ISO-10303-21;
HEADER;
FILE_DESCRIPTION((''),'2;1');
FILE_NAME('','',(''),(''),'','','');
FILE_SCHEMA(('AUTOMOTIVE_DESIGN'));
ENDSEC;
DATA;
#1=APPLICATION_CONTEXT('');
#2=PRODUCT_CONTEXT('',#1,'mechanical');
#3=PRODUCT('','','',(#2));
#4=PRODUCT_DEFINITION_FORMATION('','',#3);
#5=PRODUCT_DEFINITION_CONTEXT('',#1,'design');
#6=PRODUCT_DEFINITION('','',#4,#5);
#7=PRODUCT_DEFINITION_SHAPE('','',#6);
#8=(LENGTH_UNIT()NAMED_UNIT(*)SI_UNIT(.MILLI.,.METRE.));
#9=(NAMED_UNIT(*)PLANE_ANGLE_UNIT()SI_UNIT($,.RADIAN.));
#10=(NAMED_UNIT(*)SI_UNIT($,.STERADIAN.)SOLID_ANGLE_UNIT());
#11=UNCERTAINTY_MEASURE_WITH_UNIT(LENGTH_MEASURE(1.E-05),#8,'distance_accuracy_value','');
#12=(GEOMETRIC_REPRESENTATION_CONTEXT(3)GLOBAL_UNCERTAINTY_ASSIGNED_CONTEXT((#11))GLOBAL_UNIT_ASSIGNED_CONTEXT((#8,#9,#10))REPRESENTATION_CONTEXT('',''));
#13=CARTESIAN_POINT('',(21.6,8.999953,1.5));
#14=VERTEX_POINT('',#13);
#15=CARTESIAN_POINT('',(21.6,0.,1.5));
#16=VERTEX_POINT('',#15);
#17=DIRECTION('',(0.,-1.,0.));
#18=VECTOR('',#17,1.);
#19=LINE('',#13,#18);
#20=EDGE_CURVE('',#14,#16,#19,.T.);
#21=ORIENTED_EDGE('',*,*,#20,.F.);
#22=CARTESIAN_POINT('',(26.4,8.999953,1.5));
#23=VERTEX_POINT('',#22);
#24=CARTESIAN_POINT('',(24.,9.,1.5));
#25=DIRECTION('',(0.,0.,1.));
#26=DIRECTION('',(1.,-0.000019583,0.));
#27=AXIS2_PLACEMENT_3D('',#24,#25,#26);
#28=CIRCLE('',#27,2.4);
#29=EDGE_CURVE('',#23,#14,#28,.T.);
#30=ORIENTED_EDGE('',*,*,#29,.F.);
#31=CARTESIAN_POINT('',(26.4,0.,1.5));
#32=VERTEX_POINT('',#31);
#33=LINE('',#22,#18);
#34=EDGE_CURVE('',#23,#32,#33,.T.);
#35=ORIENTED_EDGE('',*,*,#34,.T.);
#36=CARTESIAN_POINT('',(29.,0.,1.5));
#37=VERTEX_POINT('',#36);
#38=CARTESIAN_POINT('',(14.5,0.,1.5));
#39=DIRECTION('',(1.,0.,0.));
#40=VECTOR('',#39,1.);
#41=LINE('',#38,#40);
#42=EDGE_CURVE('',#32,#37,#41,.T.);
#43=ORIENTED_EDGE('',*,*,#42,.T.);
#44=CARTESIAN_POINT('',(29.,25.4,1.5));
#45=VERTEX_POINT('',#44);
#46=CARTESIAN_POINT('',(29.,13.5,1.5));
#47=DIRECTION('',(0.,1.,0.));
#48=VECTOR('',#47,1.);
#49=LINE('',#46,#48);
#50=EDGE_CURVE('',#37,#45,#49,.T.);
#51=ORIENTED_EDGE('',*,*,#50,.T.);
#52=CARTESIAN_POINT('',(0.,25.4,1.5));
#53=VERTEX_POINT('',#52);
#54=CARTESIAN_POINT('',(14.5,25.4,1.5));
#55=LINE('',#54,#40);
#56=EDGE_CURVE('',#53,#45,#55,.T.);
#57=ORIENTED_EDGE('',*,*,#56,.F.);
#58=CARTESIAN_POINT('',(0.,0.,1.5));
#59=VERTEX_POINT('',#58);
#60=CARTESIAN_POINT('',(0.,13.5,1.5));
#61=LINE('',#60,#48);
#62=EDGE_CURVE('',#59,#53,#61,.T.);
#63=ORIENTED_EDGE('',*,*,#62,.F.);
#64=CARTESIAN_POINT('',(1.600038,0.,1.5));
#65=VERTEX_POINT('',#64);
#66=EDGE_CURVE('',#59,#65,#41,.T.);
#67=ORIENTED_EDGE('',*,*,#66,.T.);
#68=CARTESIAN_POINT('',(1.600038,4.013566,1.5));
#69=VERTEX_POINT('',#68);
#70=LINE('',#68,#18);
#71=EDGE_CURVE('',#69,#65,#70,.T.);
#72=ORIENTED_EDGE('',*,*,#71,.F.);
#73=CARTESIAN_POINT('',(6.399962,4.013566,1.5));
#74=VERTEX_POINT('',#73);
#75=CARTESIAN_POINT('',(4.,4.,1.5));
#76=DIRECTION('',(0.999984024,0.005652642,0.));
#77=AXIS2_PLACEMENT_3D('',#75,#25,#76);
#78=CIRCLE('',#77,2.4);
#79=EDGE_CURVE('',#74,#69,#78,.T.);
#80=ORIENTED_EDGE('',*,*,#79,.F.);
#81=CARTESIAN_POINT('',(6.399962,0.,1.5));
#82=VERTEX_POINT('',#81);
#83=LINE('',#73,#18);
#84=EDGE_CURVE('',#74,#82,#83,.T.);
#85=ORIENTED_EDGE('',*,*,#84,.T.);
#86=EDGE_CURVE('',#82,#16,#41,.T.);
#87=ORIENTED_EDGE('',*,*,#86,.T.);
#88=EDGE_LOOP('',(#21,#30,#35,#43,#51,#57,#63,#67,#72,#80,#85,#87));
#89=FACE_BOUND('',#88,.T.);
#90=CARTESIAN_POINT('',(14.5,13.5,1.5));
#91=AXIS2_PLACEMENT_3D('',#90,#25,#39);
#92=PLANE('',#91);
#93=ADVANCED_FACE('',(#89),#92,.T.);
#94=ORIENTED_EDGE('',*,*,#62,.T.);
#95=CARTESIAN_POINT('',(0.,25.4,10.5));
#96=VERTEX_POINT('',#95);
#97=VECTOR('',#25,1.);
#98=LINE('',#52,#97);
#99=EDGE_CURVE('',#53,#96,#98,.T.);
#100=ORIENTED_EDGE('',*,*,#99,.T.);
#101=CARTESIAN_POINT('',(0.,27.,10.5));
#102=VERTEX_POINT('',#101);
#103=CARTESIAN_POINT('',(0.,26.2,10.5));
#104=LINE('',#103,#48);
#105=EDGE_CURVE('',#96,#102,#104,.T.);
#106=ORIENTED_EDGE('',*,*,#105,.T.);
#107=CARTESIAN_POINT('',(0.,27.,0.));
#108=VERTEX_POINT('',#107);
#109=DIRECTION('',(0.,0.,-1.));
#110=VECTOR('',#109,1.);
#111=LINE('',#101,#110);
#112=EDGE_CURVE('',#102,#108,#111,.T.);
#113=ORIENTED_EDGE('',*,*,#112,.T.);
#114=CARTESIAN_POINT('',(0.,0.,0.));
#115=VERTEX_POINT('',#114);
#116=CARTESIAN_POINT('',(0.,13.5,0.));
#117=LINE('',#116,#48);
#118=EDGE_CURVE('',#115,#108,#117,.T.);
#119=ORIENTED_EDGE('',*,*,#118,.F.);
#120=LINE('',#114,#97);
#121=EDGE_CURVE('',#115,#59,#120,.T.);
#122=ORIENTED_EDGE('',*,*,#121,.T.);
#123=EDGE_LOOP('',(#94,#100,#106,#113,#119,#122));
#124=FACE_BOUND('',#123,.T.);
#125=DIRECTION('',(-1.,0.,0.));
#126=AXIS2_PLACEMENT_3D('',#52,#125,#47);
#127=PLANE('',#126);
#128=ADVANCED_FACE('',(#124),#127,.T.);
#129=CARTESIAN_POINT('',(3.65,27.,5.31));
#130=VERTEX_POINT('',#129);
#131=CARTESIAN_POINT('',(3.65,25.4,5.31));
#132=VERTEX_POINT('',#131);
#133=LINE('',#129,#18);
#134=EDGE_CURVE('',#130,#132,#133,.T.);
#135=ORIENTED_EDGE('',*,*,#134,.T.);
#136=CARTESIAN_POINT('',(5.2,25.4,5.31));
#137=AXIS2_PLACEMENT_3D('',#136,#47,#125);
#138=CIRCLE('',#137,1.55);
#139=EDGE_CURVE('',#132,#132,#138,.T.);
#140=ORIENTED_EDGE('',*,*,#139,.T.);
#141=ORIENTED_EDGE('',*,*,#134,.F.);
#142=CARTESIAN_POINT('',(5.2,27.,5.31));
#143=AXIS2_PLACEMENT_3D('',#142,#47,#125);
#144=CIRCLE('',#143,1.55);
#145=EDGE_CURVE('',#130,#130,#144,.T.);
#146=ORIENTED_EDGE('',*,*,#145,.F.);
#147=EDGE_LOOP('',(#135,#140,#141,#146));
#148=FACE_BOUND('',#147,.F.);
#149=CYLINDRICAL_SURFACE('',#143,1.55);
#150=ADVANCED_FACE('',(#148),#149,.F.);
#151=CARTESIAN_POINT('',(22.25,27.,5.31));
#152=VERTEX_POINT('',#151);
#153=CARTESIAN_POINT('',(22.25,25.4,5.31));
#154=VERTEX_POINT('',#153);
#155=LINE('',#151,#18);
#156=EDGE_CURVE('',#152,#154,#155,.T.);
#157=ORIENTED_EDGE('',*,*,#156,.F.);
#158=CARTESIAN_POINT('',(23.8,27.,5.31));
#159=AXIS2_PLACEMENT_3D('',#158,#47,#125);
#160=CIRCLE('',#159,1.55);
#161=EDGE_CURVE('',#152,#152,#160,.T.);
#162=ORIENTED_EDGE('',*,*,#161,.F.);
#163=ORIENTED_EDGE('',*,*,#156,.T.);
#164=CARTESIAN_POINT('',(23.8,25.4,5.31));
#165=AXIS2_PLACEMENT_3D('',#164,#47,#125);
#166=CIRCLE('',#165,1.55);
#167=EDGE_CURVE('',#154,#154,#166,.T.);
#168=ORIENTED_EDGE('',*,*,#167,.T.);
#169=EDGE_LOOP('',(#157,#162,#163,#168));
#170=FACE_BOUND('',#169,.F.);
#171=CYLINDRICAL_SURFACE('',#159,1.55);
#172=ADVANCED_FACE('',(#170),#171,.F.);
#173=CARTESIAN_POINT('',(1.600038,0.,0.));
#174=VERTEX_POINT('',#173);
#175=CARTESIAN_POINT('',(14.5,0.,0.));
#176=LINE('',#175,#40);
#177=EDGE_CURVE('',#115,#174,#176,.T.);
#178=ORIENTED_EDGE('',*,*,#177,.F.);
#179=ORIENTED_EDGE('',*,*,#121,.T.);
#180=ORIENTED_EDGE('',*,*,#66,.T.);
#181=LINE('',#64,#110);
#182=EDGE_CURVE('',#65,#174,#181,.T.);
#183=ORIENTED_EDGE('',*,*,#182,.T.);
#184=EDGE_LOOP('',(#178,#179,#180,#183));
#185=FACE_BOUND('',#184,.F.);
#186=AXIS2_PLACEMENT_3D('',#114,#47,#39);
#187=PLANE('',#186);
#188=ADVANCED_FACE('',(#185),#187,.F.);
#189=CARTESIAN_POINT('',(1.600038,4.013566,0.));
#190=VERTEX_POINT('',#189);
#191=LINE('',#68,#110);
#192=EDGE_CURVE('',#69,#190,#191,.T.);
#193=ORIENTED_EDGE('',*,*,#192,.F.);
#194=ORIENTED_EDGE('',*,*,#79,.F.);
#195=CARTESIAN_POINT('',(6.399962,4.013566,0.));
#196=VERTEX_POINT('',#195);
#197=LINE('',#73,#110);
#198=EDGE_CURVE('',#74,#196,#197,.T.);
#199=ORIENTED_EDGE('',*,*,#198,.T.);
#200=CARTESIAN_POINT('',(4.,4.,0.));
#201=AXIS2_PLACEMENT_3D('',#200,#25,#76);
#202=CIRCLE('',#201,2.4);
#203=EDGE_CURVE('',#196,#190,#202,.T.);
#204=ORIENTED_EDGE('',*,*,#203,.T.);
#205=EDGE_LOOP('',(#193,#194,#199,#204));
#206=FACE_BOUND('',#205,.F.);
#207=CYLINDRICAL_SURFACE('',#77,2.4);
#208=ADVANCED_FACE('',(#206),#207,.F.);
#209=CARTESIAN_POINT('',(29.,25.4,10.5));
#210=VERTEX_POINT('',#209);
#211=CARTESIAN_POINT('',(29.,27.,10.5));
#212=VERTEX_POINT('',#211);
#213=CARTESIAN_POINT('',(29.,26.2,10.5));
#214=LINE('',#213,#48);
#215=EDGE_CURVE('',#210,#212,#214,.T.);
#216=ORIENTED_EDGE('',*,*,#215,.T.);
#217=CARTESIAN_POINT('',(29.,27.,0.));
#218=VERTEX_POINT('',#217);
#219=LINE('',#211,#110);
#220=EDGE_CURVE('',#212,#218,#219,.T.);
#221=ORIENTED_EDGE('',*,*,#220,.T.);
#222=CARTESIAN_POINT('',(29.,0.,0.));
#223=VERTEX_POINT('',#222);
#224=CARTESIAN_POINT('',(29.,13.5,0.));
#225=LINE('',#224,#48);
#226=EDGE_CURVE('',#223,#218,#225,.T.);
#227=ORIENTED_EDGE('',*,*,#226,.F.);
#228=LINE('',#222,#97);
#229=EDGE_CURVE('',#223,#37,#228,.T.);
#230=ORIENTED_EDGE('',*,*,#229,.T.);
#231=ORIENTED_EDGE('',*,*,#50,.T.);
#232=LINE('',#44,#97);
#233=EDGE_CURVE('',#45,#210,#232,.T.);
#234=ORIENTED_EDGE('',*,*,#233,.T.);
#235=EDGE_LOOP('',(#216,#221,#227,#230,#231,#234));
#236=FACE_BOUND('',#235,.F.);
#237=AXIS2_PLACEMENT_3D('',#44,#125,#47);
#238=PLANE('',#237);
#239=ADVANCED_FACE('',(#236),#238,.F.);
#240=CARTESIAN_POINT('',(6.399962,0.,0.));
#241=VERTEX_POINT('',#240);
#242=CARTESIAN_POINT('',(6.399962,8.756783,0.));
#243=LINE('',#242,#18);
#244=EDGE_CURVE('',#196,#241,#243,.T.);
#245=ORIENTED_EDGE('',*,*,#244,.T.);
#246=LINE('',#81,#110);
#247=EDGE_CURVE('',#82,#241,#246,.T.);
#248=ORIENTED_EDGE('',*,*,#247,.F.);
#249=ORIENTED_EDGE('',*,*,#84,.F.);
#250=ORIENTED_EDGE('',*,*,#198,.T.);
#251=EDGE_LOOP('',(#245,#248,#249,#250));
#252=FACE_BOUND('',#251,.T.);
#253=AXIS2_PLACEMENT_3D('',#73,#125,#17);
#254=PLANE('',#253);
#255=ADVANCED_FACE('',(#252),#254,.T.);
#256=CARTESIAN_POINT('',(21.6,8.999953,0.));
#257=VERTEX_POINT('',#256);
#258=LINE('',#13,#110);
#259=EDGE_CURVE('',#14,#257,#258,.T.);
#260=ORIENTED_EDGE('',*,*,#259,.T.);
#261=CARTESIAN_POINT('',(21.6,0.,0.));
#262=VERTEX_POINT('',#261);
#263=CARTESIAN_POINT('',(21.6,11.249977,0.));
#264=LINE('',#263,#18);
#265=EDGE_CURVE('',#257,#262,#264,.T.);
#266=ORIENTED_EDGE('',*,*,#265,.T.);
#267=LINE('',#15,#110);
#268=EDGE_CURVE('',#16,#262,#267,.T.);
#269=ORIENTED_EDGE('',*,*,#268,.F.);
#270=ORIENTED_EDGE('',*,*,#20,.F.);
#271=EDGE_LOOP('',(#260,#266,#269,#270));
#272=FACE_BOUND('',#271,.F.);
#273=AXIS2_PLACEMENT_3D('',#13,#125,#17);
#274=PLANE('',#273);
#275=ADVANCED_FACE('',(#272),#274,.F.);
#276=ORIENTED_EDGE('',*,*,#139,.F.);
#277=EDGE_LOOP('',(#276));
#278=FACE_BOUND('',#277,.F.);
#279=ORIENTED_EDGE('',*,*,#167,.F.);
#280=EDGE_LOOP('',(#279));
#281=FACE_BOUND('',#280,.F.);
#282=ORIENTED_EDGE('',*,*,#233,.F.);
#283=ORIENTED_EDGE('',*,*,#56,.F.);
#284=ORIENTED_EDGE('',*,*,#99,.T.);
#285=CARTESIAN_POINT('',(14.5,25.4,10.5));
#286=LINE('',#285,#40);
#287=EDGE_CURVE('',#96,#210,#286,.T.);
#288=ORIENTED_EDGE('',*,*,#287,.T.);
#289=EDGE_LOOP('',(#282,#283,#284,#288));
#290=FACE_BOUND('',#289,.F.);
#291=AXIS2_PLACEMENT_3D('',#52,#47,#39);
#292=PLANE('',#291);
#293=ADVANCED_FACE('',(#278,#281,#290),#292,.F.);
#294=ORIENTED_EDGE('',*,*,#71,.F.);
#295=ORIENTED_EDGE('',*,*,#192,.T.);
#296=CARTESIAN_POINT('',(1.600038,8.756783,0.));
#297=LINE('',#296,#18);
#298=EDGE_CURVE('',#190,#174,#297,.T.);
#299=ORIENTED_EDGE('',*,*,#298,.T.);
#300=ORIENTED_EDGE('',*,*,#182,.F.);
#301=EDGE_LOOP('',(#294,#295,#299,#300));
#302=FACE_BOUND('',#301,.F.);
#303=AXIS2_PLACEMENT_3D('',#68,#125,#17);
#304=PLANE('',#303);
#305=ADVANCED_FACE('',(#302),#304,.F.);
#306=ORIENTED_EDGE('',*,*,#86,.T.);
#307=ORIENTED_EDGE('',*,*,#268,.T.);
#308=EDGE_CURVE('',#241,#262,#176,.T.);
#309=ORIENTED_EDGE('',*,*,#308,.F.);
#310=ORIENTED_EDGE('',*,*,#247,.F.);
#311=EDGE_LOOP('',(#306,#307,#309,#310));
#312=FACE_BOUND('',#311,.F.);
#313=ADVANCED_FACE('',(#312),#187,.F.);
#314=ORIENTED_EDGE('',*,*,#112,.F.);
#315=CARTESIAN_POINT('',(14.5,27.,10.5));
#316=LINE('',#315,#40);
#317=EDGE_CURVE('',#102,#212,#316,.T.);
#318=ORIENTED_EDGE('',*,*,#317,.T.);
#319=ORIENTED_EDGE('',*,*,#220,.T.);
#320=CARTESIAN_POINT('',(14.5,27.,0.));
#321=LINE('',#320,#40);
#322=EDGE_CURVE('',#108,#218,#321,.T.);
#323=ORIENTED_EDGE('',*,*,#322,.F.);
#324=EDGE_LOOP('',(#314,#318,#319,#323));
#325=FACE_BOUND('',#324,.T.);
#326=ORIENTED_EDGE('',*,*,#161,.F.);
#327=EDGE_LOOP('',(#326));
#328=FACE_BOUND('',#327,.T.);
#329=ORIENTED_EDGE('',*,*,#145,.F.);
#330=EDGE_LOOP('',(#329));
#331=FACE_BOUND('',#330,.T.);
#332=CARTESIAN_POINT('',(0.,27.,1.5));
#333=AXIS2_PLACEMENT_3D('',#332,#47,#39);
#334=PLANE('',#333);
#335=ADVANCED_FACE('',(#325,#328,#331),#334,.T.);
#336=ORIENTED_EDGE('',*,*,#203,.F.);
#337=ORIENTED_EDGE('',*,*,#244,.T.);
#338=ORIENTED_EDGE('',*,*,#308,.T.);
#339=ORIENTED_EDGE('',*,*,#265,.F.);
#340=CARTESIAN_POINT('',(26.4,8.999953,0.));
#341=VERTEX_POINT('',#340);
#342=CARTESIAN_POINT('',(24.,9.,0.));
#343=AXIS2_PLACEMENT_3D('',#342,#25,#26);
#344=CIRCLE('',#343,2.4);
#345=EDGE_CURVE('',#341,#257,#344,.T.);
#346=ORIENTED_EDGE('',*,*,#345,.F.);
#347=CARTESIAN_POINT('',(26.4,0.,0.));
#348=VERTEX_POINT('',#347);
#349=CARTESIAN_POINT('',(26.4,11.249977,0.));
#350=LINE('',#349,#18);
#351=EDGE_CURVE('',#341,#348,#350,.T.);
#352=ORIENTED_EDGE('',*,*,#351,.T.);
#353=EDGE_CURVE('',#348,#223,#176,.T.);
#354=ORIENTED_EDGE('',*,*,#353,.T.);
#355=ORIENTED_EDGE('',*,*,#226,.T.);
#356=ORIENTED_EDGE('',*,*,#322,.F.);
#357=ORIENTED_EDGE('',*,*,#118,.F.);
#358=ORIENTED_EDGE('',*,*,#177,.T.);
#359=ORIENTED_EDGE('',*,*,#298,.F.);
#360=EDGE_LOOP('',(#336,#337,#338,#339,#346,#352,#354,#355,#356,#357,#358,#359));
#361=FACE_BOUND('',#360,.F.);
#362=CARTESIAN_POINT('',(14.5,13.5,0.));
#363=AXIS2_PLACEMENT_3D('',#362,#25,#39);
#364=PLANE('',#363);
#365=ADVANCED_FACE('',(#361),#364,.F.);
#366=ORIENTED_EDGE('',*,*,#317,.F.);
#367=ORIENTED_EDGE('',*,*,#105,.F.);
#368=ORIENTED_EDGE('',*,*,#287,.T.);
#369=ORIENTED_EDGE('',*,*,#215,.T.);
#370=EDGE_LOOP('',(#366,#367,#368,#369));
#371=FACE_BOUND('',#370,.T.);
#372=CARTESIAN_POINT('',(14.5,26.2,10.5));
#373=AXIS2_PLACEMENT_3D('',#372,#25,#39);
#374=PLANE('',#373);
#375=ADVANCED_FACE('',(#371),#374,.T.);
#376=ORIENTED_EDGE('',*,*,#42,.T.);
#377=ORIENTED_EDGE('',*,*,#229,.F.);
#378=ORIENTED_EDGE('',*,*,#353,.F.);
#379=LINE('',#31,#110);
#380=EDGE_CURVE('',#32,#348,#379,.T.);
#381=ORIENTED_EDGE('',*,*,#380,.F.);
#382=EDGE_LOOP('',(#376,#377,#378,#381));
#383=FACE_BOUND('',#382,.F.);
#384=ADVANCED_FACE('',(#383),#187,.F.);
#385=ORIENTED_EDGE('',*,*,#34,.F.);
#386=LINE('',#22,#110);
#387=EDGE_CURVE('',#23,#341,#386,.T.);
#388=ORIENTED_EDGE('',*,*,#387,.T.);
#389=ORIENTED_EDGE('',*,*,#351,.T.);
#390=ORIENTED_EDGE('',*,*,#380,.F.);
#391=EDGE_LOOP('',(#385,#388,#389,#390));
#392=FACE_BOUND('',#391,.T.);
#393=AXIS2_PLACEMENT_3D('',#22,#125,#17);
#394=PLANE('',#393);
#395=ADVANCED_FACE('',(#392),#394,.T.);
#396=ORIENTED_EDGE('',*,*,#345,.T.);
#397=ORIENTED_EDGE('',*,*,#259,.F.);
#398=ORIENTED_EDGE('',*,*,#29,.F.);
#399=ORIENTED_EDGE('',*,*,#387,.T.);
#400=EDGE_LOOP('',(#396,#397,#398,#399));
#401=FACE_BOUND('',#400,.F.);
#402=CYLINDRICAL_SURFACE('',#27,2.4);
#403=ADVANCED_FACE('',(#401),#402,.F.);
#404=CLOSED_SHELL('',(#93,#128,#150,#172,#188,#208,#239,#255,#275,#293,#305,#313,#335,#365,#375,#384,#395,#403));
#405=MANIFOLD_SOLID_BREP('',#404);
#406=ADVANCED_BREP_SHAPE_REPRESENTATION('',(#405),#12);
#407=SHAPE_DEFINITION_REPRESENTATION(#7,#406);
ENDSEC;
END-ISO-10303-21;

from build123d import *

# Parameters (mm, degrees)
BOX_W           = 29
BOX_H           = 27
BOX_DEPTH       = 1.5
POCKET_DEPTH    = 1.501
SKETCH001_W     = 29
SKETCH001_H     = 1.6
PAD_DEPTH       = 9
SKETCH002_R     = 1.55
POCKET001_DEPTH = 27.001


with BuildPart() as part:
    # Box → Box (new body)
    with BuildSketch(Plane.XY):
        with Locations((14.5, 13.5)):
            Rectangle(BOX_W, BOX_H)
    extrude(amount=BOX_DEPTH)

    # Sketch → Pocket (cut, through all)
    with BuildSketch(Plane.XY.offset(1.5)):
        with BuildLine():
            ThreePointArc((6.399962, 4.013566), (4, 6.4), (1.600038, 4.013566))
            Line((1.600038, 4.013566), (1.600038, 0))
            Line((1.600038, 0), (6.399962, 0))
            Line((6.399962, 4.013566), (6.399962, 0))
        make_face()
        with BuildLine():
            Line((21.6, 8.999953), (21.6, 0))
            Line((21.6, 0), (26.4, 0))
            Line((26.4, 8.999953), (26.4, 0))
            ThreePointArc((26.4, 8.999953), (24, 11.4), (21.6, 8.999953))
        make_face()
    extrude(amount=-POCKET_DEPTH, mode=Mode.SUBTRACT)

    # Sketch001 → Pad (new body)
    with BuildSketch(Plane.XY.offset(1.5)):
        with Locations((14.5, 26.2)):
            Rectangle(SKETCH001_W, SKETCH001_H)
    extrude(amount=PAD_DEPTH)

    # Sketch002 → Pocket001 (cut, through all)
    with BuildSketch(Plane(origin=(0, 27, 0), x_dir=(-1, 0, 0), z_dir=(0, 1, 0))):
        with Locations((-23.8, 5.31)):
            Circle(SKETCH002_R)
        with Locations((-5.2, 5.31)):
            Circle(SKETCH002_R)
    extrude(amount=-POCKET001_DEPTH, mode=Mode.SUBTRACT)


solid = part.part
